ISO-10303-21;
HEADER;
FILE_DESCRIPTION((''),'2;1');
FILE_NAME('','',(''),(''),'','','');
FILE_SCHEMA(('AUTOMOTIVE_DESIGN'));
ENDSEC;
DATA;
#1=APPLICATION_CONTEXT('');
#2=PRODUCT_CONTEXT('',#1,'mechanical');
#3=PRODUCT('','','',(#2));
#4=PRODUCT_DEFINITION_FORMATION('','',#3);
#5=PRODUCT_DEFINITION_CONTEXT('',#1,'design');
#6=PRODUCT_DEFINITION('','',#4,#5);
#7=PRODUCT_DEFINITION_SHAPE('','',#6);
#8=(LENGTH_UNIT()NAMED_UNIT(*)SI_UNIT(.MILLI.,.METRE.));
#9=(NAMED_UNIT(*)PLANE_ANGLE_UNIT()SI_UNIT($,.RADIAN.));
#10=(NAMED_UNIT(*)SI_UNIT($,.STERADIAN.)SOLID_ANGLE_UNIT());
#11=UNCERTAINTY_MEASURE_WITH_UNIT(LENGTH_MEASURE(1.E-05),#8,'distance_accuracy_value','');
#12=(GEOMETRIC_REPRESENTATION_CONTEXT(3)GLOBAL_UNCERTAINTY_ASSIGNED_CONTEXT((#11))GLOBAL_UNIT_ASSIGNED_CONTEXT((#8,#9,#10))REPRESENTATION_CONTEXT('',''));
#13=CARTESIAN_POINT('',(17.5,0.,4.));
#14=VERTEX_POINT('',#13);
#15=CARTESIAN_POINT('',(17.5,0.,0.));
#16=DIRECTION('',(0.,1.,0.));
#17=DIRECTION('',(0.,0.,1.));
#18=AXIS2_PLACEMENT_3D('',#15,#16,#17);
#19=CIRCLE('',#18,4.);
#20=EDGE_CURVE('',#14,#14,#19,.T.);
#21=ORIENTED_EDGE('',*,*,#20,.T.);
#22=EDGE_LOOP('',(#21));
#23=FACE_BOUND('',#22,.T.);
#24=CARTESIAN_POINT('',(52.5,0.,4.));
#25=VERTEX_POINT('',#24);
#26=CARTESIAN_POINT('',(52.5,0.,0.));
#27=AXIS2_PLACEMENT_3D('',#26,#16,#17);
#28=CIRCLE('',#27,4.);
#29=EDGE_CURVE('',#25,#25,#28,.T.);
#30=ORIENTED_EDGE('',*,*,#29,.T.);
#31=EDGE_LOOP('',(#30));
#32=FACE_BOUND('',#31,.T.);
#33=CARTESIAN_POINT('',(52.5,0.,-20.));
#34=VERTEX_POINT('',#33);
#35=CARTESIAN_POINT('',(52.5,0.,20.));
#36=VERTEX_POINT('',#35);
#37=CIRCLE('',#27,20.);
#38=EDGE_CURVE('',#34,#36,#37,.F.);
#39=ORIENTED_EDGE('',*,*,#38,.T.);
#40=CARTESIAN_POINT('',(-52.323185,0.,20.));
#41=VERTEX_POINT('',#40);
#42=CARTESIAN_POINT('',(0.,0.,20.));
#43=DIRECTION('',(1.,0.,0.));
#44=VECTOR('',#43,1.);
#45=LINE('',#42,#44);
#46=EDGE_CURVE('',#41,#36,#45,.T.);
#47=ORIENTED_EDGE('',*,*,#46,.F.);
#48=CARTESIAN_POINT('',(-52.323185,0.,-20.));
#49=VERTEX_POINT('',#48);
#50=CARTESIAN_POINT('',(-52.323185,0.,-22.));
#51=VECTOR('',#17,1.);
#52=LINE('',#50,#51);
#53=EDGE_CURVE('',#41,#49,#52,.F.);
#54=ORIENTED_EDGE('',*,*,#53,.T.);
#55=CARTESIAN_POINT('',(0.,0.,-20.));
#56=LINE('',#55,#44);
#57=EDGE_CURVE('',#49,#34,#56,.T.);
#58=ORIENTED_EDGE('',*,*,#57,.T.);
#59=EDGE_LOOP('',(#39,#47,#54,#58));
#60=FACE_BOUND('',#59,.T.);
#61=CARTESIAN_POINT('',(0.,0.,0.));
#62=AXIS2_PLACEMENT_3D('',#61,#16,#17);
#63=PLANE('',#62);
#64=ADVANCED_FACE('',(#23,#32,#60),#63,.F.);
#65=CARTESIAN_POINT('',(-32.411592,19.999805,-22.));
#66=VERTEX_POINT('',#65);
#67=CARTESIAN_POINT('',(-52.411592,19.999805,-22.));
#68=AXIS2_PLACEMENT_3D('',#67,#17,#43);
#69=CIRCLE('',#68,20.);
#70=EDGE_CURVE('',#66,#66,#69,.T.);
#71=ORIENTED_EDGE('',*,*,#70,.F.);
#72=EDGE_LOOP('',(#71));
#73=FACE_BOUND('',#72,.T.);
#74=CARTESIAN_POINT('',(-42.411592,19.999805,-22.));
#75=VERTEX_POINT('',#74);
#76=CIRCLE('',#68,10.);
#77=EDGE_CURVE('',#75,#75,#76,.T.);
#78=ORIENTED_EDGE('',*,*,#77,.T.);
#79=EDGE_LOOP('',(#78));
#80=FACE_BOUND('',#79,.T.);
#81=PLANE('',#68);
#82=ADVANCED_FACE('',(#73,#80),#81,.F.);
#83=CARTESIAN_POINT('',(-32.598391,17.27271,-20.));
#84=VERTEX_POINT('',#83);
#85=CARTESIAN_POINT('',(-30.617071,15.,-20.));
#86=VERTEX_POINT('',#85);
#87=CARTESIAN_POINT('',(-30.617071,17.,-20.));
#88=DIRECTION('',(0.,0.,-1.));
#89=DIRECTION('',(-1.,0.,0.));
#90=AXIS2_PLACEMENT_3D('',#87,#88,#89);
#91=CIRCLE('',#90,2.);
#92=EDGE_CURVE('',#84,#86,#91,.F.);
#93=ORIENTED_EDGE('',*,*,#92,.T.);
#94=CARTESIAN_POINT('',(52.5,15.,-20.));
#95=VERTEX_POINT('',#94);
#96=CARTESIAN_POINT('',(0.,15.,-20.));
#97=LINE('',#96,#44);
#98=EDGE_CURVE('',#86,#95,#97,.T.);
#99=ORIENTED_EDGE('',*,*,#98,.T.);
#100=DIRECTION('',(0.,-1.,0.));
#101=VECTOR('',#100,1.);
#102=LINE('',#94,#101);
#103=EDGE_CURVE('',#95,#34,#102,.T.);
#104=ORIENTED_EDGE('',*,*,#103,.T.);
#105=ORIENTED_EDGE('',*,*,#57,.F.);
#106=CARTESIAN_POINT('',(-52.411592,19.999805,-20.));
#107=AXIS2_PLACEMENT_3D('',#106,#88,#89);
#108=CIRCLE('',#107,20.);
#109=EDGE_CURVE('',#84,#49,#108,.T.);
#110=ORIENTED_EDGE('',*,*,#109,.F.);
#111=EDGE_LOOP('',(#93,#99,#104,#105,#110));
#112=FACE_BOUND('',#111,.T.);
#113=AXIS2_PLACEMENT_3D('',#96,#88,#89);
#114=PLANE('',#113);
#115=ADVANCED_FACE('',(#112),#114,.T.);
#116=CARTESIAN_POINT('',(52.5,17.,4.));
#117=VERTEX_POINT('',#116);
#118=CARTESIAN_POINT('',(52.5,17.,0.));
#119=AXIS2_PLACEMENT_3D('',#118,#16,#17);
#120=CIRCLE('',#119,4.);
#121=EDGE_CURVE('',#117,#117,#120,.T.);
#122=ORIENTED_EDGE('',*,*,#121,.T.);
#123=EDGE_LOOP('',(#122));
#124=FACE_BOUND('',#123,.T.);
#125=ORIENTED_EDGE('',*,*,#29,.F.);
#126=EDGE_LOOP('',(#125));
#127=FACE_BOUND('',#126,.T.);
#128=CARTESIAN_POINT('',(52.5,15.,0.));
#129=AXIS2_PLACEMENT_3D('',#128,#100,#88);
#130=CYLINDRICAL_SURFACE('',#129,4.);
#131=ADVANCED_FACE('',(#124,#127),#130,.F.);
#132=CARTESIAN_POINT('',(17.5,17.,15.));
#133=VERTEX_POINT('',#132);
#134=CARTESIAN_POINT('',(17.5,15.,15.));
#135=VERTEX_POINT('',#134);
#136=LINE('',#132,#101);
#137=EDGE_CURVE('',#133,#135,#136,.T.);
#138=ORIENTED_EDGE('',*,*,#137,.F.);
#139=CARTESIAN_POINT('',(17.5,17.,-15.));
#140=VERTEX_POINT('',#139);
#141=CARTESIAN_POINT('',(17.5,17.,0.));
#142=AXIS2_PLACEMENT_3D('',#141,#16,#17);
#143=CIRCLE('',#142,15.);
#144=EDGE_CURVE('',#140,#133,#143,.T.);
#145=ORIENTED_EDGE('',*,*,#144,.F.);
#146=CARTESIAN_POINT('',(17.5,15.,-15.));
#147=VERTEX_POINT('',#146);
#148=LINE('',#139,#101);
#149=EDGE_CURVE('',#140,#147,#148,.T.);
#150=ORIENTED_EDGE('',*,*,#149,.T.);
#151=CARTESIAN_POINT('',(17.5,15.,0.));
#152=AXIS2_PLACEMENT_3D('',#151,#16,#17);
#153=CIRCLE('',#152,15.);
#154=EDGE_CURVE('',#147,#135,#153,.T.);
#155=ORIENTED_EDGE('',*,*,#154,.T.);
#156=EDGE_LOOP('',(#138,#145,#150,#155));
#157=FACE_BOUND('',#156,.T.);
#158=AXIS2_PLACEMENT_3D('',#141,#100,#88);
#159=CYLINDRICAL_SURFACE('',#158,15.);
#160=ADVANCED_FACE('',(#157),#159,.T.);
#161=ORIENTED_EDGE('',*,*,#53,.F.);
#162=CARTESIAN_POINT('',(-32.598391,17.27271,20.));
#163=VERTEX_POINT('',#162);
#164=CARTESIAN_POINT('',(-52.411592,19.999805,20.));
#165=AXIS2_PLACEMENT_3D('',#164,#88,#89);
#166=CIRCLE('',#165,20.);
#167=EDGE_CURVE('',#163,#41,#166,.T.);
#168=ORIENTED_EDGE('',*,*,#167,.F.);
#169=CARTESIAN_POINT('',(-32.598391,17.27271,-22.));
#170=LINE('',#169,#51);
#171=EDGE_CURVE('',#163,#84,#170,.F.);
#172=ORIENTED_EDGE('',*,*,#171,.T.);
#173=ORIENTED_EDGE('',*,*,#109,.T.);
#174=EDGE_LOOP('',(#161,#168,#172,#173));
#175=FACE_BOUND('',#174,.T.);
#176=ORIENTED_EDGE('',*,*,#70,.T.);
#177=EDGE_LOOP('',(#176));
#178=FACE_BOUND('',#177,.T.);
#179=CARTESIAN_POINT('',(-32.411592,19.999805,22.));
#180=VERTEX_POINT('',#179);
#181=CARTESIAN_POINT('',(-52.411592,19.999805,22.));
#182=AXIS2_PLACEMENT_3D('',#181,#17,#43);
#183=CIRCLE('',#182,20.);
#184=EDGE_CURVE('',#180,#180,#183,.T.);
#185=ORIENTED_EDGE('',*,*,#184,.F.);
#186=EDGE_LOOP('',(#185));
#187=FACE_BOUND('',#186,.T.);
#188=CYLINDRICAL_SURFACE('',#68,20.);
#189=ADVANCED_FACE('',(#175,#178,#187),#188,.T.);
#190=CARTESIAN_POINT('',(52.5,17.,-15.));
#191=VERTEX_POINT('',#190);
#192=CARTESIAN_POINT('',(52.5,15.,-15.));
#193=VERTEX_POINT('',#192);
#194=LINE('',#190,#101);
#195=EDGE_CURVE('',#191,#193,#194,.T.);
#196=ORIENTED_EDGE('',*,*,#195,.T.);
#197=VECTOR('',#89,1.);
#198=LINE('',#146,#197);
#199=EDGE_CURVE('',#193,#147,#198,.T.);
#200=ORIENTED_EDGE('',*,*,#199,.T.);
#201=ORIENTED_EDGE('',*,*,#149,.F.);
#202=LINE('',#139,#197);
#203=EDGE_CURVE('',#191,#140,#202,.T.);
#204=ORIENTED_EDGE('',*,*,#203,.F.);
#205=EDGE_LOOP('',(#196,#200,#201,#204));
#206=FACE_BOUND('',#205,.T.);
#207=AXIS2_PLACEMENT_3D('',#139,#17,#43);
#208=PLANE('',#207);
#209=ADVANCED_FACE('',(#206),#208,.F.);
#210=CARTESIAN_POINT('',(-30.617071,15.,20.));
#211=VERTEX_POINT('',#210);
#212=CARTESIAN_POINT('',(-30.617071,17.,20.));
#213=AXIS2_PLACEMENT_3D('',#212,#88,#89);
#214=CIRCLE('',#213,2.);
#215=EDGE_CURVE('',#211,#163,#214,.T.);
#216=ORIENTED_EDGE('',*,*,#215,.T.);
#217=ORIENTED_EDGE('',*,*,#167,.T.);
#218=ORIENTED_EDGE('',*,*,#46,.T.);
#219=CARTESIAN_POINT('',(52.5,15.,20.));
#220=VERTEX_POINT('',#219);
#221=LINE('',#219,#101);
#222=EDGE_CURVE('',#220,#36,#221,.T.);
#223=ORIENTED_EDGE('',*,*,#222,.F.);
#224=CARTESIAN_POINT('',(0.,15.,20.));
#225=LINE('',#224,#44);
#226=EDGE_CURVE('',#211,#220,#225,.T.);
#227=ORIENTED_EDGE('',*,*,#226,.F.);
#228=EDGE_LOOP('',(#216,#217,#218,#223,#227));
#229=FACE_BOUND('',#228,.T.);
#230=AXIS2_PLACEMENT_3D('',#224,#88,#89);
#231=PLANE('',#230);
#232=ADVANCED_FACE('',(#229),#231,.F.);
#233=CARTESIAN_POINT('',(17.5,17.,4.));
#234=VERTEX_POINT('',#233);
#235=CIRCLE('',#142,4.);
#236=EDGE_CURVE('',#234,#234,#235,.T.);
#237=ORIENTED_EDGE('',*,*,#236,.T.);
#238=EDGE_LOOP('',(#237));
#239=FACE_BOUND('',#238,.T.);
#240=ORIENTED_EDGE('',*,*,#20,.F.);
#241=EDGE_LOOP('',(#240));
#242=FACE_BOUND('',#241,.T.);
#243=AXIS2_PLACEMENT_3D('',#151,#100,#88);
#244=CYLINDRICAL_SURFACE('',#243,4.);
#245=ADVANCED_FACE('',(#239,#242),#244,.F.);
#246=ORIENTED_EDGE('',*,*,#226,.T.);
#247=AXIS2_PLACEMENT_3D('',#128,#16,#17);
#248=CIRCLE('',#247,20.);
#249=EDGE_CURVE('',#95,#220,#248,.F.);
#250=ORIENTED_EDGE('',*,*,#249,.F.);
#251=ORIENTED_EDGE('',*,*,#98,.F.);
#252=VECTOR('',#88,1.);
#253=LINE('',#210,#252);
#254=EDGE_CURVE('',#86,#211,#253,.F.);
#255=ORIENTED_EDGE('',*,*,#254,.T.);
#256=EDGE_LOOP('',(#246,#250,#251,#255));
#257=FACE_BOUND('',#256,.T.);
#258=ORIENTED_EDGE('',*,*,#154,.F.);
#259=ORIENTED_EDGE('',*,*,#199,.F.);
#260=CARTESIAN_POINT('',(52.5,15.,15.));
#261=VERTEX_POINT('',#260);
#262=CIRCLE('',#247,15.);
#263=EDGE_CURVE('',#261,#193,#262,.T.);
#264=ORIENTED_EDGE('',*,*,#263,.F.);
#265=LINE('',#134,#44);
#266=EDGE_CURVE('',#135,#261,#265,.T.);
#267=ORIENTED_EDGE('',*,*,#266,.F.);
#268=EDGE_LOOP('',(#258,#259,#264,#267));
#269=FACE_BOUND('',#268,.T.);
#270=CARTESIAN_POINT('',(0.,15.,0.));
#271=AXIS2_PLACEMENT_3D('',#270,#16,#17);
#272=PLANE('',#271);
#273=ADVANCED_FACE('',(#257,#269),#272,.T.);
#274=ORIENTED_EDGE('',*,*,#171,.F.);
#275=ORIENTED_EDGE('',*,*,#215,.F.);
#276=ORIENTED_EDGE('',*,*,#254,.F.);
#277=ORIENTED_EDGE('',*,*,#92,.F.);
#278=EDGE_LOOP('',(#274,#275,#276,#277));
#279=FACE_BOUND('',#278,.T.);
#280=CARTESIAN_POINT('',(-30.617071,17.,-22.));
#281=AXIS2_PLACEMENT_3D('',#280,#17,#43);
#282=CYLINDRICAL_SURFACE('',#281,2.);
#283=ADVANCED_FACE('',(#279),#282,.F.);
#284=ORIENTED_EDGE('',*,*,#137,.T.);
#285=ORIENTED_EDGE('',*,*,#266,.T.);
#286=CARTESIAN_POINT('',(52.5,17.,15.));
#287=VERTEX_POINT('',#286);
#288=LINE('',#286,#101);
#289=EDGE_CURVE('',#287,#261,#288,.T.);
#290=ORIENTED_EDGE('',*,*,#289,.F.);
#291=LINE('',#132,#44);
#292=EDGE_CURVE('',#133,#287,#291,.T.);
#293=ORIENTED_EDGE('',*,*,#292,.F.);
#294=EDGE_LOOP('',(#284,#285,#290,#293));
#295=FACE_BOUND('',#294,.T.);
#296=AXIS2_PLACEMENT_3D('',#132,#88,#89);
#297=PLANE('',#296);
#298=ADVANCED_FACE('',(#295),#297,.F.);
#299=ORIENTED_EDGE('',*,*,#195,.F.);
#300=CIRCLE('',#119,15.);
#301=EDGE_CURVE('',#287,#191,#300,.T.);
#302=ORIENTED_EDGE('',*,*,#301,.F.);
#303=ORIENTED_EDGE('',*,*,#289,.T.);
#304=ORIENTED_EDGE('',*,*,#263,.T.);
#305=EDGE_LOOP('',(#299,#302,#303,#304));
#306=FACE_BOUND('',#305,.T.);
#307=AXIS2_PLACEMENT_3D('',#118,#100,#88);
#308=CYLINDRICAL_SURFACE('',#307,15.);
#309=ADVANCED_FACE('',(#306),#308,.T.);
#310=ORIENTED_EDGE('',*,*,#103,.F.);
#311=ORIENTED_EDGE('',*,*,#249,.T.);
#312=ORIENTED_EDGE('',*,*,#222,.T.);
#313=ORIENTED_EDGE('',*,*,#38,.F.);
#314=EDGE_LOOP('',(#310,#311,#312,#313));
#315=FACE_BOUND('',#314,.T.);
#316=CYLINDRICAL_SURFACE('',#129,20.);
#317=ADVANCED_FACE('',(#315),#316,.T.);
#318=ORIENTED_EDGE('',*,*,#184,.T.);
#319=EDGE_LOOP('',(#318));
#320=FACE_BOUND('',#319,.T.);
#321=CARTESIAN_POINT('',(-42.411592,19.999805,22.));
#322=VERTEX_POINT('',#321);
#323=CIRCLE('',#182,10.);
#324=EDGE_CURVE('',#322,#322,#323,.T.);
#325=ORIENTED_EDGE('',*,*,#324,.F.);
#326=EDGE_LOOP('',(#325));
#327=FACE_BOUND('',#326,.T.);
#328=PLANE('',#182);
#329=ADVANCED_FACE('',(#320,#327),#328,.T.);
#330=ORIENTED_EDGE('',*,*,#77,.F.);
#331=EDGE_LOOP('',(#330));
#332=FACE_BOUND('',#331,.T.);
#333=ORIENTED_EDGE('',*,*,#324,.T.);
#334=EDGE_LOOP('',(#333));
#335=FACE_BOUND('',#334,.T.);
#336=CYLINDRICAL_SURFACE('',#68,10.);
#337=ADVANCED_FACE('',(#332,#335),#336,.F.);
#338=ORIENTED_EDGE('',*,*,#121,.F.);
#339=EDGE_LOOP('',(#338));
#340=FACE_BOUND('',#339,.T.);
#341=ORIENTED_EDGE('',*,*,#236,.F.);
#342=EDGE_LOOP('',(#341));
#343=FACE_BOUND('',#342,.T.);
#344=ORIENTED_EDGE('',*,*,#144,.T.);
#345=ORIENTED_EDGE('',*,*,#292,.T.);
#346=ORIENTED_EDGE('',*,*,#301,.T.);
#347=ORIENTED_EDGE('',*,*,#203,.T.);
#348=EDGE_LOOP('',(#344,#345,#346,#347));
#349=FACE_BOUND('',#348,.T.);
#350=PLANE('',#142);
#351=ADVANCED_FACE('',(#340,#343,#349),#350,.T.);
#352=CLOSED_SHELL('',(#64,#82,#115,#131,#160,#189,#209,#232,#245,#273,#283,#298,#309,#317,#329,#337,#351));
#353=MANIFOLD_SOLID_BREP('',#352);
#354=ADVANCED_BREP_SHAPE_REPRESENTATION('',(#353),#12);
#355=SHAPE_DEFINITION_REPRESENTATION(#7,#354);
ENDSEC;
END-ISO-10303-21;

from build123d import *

# Parameters (mm, degrees)
SKETCH1_R                = 4
BOSS_EXTRUDE1_DEPTH      = 15
BOSS_EXTRUDE2_DEPTH      = 22
BOSS_EXTRUDE2_DEPTH_BACK = 22
SKETCH3_R                = 20
SKETCH4_R                = 10
CUT_EXTRUDE1_DEPTH       = 94.766915104
SKETCH5_R                = 4
BOSS_EXTRUDE3_DEPTH      = 2
FILLET2_R                = 2


with BuildPart() as part:
    # Sketch1 → Boss-Extrude1 (new body)
    with BuildSketch(Plane(origin=(0, 0, 0), x_dir=(1, 0, 0), z_dir=(0, 1, 0))):
        with BuildLine():
            Line((-52.5, 20), (52.5, 20))
            ThreePointArc((52.5, 20), (72.5, 0), (52.5, -20))
            Line((52.5, -20), (-52.5, -20))
            Line((-52.5, -20), (-52.5, 20))
        make_face()
        with Locations(Location((17.5, 0, 0), (0, 0, 270))):
            Circle(SKETCH1_R, mode=Mode.SUBTRACT)
        with Locations(Location((52.5, 0, 0), (0, 0, 270))):
            Circle(SKETCH1_R, mode=Mode.SUBTRACT)
    extrude(amount=BOSS_EXTRUDE1_DEPTH)

    # Sketch3 → Boss-Extrude2 (add, two sides: drawn at the far end of the back side and taken through both)
    with BuildSketch(Plane.XY.offset(-BOSS_EXTRUDE2_DEPTH_BACK)):
        with Locations((-52.411592251, 19.999804601)):
            Circle(SKETCH3_R)
    extrude(amount=BOSS_EXTRUDE2_DEPTH + BOSS_EXTRUDE2_DEPTH_BACK)

    # Sketch4 → Cut-Extrude1 (cut, through all)
    with BuildSketch(Plane.XY.offset(22)):
        with Locations((-52.411592251, 19.999804601)):
            Circle(SKETCH4_R)
    extrude(amount=-CUT_EXTRUDE1_DEPTH, mode=Mode.SUBTRACT)

    # Sketch5 → Boss-Extrude3 (add)
    with BuildSketch(Plane(origin=(0, 15, 0), x_dir=(1, 0, 0), z_dir=(0, 1, 0))):
        with BuildLine():
            Line((17.5, 15), (52.5, 15))
            ThreePointArc((52.5, 15), (67.5, 0), (52.5, -15))
            Line((52.5, -15), (17.5, -15))
            ThreePointArc((17.5, -15), (2.5, 0), (17.5, 15))
        make_face()
        with Locations(Location((17.5, 0, 0), (0, 0, 270))):
            Circle(SKETCH5_R, mode=Mode.SUBTRACT)
        with Locations(Location((52.5, 0, 0), (0, 0, 270))):
            Circle(SKETCH5_R, mode=Mode.SUBTRACT)
    extrude(amount=BOSS_EXTRUDE3_DEPTH)

    # Fillet2
    fillet2_edges = [part.edges().sort_by_distance(p)[0] for p in [
        (-33.046625069, 15, 0),
    ]]
    fillet(fillet2_edges, radius=FILLET2_R)


solid = part.part
